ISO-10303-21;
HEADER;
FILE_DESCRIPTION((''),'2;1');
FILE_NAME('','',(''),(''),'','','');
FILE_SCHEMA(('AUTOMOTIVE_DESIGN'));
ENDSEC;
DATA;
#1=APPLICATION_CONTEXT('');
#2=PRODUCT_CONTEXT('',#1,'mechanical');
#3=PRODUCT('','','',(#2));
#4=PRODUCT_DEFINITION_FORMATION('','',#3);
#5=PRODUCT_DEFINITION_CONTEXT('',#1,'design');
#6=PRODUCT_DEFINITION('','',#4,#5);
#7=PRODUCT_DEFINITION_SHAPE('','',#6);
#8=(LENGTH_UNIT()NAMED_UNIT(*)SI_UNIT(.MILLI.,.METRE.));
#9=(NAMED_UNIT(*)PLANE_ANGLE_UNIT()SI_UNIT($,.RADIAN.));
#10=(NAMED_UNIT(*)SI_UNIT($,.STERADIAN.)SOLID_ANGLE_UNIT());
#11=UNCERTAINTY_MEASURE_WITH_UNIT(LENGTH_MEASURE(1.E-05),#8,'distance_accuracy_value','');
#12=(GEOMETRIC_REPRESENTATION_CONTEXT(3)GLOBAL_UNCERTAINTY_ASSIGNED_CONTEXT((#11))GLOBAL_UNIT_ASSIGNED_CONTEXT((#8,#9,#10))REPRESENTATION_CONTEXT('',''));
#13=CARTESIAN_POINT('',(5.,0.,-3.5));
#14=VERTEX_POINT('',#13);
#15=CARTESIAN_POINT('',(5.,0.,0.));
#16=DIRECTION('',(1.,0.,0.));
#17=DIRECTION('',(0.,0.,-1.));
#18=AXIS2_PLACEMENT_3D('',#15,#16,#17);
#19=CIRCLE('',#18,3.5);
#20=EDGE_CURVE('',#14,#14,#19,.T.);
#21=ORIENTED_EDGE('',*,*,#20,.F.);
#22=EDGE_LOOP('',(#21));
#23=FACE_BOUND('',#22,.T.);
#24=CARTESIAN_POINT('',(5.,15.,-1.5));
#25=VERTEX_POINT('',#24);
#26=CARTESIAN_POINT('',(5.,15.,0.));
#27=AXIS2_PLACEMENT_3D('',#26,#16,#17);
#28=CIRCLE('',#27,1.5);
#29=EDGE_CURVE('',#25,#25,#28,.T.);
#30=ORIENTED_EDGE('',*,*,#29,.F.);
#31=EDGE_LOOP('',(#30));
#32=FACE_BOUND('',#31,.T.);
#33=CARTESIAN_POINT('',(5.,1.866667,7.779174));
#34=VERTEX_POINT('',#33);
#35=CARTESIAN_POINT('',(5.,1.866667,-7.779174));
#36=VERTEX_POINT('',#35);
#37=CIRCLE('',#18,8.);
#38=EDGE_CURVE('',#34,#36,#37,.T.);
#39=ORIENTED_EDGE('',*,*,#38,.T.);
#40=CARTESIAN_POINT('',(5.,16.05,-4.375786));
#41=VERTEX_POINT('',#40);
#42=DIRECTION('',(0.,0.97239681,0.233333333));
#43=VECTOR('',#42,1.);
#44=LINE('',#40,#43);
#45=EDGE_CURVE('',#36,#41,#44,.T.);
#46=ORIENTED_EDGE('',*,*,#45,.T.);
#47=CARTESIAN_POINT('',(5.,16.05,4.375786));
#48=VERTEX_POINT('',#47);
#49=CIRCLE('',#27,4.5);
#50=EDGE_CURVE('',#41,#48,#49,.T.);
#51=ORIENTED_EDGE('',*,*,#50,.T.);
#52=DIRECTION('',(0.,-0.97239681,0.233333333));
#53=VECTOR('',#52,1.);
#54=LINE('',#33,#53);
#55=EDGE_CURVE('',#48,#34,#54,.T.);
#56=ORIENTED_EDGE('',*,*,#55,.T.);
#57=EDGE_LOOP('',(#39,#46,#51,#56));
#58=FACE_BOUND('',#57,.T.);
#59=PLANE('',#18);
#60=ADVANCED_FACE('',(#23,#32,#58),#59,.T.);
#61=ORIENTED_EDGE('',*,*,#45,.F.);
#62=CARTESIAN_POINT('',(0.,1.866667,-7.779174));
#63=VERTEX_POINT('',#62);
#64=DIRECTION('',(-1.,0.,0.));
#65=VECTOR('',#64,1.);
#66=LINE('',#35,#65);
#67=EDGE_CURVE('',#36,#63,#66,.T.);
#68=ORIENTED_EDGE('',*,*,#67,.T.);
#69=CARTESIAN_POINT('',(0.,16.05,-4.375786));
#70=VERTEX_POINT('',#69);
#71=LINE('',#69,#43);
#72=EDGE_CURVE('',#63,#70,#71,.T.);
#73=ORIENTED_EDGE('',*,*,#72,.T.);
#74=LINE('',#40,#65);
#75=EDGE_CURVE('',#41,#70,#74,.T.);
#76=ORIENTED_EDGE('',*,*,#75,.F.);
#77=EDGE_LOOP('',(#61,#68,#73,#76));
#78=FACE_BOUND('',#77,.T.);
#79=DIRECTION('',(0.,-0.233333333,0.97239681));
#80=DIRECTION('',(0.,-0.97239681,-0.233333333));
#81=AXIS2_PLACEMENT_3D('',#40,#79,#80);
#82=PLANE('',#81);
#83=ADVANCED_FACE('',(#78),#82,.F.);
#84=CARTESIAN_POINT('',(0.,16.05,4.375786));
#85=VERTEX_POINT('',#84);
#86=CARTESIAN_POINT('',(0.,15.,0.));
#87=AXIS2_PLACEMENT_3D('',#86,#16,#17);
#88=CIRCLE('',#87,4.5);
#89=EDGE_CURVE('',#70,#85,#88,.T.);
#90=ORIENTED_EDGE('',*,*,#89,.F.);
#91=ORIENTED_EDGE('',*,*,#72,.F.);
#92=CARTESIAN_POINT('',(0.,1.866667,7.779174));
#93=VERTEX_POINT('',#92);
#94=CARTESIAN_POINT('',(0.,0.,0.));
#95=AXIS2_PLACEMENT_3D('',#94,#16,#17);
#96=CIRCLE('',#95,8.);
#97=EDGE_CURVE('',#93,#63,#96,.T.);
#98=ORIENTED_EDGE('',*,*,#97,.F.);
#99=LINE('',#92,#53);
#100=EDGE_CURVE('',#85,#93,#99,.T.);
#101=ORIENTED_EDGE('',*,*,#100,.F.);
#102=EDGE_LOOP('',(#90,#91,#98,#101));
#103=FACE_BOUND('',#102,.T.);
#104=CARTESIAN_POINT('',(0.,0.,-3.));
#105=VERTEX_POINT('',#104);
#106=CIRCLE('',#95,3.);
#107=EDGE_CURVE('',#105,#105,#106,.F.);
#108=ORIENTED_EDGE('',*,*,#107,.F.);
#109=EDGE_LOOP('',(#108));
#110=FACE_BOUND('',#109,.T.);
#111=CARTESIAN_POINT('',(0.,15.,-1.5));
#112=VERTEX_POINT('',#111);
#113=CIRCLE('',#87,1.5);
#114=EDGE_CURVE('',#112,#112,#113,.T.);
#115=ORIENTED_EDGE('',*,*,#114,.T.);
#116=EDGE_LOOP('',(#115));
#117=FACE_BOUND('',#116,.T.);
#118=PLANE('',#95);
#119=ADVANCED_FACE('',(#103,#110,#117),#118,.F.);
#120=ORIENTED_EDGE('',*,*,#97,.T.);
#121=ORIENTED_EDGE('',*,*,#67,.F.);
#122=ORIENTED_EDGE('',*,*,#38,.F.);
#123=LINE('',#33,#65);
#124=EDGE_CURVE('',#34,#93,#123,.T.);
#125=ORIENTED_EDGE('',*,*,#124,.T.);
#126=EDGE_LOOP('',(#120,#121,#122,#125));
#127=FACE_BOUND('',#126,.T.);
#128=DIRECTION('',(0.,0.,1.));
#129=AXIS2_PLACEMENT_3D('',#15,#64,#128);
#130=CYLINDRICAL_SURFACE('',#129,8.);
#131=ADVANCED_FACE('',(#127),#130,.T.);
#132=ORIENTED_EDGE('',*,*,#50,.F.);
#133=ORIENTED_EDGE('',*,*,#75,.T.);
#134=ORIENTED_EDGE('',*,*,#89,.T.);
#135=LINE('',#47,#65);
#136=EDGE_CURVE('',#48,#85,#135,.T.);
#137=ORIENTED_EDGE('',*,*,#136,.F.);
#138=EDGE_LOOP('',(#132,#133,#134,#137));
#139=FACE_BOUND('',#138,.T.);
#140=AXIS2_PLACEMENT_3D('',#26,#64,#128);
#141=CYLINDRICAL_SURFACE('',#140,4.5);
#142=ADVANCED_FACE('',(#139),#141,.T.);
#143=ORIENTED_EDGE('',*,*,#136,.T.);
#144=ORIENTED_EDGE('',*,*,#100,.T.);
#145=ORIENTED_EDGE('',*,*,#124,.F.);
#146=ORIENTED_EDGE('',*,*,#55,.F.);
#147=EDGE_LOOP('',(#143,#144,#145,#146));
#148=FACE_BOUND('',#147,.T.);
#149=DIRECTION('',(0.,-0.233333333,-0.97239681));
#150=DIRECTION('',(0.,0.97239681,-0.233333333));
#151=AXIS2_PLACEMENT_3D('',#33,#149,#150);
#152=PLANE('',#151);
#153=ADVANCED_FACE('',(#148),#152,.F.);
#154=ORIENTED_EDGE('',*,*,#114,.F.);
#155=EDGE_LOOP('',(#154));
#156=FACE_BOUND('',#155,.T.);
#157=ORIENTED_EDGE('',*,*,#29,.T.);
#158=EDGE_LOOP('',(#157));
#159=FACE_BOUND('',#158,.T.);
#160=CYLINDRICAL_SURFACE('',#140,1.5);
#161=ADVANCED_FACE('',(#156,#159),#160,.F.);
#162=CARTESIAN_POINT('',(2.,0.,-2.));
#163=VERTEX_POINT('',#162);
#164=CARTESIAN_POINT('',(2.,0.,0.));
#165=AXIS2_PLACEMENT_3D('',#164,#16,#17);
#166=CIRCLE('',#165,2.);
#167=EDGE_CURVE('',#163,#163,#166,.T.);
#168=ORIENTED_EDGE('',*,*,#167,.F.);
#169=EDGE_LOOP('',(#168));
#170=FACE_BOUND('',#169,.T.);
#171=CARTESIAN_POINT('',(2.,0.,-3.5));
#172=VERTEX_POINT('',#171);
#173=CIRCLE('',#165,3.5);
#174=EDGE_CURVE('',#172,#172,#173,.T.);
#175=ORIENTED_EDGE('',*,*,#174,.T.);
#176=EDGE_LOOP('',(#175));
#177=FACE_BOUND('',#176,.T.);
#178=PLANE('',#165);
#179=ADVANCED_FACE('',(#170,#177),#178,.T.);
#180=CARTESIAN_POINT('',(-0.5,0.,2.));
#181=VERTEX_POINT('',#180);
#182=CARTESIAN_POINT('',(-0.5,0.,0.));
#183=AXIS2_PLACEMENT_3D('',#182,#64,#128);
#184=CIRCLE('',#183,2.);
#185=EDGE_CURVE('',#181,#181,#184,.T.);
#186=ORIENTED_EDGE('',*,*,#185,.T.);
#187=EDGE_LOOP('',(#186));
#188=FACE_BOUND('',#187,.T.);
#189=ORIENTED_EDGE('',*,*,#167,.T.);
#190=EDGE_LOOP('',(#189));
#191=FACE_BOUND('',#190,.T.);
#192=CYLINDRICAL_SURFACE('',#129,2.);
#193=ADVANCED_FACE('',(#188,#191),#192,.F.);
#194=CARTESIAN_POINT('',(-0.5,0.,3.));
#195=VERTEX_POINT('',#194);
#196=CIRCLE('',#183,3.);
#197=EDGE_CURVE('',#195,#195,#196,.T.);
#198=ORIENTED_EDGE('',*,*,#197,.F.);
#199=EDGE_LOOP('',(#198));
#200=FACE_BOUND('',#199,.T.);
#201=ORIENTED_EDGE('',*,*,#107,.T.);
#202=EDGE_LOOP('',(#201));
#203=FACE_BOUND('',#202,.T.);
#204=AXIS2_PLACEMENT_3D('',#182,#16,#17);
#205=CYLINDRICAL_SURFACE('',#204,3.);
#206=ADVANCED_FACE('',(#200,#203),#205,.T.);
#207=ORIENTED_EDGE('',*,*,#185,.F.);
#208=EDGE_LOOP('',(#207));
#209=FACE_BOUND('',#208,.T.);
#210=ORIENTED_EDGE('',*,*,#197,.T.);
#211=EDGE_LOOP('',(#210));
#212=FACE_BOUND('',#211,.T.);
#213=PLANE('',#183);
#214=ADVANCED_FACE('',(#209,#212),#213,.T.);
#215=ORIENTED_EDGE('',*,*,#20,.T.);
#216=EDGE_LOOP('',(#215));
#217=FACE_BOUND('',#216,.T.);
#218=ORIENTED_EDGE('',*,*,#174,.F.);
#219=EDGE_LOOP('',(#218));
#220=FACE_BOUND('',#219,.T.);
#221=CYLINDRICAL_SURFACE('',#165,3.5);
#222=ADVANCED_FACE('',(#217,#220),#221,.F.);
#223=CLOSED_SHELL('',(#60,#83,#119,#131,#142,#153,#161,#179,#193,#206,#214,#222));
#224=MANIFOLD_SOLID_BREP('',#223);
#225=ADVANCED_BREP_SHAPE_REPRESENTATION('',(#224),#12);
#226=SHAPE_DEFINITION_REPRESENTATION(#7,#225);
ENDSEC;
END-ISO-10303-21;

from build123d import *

# Parameters (mm, degrees)
SKETCH_1_R          = 2
SKETCH_1_R_2        = 1.5
EXTRUDE_1_DEPTH     = 5
SKETCH_2_R          = 3
SKETCH_2_R_2        = 2
EXTRUDE_2_DEPTH     = 0.5
SKETCH_3_R          = 3.5
SKETCH_3_R_2        = 2
CUT_EXTRUDE_1_DEPTH = 3


with BuildPart() as part:
    # 草图1 → 凸台-拉伸1 (new body)
    with BuildSketch(Plane(origin=(0, 0, 0), x_dir=(0, 0, -1), z_dir=(1, 0, 0))):
        with BuildLine():
            Line((-7.779174478, 1.866666667), (-4.375785644, 16.05))
            ThreePointArc((-4.375785644, 16.05), (0, 19.5), (4.375785644, 16.05))
            Line((4.375785644, 16.05), (7.779174478, 1.866666667))
            ThreePointArc((7.779174478, 1.866666667), (0, -8), (-7.779174478, 1.866666667))
        make_face()
        Circle(SKETCH_1_R, mode=Mode.SUBTRACT)
        with Locations((0, 15)):
            Circle(SKETCH_1_R_2, mode=Mode.SUBTRACT)
    extrude(amount=EXTRUDE_1_DEPTH)

    # 草图2 → 凸台-拉伸2 (add)
    with BuildSketch(Plane.ZY):
        Circle(SKETCH_2_R)
        Circle(SKETCH_2_R_2, mode=Mode.SUBTRACT)
    extrude(amount=EXTRUDE_2_DEPTH)

    # 草图3 → 切除-拉伸1 (cut)
    with BuildSketch(Plane(origin=(5, 0, 0), x_dir=(0, 0, -1), z_dir=(1, 0, 0))):
        Circle(SKETCH_3_R)
        Circle(SKETCH_3_R_2, mode=Mode.SUBTRACT)
    extrude(amount=-CUT_EXTRUDE_1_DEPTH, mode=Mode.SUBTRACT)


solid = part.part
